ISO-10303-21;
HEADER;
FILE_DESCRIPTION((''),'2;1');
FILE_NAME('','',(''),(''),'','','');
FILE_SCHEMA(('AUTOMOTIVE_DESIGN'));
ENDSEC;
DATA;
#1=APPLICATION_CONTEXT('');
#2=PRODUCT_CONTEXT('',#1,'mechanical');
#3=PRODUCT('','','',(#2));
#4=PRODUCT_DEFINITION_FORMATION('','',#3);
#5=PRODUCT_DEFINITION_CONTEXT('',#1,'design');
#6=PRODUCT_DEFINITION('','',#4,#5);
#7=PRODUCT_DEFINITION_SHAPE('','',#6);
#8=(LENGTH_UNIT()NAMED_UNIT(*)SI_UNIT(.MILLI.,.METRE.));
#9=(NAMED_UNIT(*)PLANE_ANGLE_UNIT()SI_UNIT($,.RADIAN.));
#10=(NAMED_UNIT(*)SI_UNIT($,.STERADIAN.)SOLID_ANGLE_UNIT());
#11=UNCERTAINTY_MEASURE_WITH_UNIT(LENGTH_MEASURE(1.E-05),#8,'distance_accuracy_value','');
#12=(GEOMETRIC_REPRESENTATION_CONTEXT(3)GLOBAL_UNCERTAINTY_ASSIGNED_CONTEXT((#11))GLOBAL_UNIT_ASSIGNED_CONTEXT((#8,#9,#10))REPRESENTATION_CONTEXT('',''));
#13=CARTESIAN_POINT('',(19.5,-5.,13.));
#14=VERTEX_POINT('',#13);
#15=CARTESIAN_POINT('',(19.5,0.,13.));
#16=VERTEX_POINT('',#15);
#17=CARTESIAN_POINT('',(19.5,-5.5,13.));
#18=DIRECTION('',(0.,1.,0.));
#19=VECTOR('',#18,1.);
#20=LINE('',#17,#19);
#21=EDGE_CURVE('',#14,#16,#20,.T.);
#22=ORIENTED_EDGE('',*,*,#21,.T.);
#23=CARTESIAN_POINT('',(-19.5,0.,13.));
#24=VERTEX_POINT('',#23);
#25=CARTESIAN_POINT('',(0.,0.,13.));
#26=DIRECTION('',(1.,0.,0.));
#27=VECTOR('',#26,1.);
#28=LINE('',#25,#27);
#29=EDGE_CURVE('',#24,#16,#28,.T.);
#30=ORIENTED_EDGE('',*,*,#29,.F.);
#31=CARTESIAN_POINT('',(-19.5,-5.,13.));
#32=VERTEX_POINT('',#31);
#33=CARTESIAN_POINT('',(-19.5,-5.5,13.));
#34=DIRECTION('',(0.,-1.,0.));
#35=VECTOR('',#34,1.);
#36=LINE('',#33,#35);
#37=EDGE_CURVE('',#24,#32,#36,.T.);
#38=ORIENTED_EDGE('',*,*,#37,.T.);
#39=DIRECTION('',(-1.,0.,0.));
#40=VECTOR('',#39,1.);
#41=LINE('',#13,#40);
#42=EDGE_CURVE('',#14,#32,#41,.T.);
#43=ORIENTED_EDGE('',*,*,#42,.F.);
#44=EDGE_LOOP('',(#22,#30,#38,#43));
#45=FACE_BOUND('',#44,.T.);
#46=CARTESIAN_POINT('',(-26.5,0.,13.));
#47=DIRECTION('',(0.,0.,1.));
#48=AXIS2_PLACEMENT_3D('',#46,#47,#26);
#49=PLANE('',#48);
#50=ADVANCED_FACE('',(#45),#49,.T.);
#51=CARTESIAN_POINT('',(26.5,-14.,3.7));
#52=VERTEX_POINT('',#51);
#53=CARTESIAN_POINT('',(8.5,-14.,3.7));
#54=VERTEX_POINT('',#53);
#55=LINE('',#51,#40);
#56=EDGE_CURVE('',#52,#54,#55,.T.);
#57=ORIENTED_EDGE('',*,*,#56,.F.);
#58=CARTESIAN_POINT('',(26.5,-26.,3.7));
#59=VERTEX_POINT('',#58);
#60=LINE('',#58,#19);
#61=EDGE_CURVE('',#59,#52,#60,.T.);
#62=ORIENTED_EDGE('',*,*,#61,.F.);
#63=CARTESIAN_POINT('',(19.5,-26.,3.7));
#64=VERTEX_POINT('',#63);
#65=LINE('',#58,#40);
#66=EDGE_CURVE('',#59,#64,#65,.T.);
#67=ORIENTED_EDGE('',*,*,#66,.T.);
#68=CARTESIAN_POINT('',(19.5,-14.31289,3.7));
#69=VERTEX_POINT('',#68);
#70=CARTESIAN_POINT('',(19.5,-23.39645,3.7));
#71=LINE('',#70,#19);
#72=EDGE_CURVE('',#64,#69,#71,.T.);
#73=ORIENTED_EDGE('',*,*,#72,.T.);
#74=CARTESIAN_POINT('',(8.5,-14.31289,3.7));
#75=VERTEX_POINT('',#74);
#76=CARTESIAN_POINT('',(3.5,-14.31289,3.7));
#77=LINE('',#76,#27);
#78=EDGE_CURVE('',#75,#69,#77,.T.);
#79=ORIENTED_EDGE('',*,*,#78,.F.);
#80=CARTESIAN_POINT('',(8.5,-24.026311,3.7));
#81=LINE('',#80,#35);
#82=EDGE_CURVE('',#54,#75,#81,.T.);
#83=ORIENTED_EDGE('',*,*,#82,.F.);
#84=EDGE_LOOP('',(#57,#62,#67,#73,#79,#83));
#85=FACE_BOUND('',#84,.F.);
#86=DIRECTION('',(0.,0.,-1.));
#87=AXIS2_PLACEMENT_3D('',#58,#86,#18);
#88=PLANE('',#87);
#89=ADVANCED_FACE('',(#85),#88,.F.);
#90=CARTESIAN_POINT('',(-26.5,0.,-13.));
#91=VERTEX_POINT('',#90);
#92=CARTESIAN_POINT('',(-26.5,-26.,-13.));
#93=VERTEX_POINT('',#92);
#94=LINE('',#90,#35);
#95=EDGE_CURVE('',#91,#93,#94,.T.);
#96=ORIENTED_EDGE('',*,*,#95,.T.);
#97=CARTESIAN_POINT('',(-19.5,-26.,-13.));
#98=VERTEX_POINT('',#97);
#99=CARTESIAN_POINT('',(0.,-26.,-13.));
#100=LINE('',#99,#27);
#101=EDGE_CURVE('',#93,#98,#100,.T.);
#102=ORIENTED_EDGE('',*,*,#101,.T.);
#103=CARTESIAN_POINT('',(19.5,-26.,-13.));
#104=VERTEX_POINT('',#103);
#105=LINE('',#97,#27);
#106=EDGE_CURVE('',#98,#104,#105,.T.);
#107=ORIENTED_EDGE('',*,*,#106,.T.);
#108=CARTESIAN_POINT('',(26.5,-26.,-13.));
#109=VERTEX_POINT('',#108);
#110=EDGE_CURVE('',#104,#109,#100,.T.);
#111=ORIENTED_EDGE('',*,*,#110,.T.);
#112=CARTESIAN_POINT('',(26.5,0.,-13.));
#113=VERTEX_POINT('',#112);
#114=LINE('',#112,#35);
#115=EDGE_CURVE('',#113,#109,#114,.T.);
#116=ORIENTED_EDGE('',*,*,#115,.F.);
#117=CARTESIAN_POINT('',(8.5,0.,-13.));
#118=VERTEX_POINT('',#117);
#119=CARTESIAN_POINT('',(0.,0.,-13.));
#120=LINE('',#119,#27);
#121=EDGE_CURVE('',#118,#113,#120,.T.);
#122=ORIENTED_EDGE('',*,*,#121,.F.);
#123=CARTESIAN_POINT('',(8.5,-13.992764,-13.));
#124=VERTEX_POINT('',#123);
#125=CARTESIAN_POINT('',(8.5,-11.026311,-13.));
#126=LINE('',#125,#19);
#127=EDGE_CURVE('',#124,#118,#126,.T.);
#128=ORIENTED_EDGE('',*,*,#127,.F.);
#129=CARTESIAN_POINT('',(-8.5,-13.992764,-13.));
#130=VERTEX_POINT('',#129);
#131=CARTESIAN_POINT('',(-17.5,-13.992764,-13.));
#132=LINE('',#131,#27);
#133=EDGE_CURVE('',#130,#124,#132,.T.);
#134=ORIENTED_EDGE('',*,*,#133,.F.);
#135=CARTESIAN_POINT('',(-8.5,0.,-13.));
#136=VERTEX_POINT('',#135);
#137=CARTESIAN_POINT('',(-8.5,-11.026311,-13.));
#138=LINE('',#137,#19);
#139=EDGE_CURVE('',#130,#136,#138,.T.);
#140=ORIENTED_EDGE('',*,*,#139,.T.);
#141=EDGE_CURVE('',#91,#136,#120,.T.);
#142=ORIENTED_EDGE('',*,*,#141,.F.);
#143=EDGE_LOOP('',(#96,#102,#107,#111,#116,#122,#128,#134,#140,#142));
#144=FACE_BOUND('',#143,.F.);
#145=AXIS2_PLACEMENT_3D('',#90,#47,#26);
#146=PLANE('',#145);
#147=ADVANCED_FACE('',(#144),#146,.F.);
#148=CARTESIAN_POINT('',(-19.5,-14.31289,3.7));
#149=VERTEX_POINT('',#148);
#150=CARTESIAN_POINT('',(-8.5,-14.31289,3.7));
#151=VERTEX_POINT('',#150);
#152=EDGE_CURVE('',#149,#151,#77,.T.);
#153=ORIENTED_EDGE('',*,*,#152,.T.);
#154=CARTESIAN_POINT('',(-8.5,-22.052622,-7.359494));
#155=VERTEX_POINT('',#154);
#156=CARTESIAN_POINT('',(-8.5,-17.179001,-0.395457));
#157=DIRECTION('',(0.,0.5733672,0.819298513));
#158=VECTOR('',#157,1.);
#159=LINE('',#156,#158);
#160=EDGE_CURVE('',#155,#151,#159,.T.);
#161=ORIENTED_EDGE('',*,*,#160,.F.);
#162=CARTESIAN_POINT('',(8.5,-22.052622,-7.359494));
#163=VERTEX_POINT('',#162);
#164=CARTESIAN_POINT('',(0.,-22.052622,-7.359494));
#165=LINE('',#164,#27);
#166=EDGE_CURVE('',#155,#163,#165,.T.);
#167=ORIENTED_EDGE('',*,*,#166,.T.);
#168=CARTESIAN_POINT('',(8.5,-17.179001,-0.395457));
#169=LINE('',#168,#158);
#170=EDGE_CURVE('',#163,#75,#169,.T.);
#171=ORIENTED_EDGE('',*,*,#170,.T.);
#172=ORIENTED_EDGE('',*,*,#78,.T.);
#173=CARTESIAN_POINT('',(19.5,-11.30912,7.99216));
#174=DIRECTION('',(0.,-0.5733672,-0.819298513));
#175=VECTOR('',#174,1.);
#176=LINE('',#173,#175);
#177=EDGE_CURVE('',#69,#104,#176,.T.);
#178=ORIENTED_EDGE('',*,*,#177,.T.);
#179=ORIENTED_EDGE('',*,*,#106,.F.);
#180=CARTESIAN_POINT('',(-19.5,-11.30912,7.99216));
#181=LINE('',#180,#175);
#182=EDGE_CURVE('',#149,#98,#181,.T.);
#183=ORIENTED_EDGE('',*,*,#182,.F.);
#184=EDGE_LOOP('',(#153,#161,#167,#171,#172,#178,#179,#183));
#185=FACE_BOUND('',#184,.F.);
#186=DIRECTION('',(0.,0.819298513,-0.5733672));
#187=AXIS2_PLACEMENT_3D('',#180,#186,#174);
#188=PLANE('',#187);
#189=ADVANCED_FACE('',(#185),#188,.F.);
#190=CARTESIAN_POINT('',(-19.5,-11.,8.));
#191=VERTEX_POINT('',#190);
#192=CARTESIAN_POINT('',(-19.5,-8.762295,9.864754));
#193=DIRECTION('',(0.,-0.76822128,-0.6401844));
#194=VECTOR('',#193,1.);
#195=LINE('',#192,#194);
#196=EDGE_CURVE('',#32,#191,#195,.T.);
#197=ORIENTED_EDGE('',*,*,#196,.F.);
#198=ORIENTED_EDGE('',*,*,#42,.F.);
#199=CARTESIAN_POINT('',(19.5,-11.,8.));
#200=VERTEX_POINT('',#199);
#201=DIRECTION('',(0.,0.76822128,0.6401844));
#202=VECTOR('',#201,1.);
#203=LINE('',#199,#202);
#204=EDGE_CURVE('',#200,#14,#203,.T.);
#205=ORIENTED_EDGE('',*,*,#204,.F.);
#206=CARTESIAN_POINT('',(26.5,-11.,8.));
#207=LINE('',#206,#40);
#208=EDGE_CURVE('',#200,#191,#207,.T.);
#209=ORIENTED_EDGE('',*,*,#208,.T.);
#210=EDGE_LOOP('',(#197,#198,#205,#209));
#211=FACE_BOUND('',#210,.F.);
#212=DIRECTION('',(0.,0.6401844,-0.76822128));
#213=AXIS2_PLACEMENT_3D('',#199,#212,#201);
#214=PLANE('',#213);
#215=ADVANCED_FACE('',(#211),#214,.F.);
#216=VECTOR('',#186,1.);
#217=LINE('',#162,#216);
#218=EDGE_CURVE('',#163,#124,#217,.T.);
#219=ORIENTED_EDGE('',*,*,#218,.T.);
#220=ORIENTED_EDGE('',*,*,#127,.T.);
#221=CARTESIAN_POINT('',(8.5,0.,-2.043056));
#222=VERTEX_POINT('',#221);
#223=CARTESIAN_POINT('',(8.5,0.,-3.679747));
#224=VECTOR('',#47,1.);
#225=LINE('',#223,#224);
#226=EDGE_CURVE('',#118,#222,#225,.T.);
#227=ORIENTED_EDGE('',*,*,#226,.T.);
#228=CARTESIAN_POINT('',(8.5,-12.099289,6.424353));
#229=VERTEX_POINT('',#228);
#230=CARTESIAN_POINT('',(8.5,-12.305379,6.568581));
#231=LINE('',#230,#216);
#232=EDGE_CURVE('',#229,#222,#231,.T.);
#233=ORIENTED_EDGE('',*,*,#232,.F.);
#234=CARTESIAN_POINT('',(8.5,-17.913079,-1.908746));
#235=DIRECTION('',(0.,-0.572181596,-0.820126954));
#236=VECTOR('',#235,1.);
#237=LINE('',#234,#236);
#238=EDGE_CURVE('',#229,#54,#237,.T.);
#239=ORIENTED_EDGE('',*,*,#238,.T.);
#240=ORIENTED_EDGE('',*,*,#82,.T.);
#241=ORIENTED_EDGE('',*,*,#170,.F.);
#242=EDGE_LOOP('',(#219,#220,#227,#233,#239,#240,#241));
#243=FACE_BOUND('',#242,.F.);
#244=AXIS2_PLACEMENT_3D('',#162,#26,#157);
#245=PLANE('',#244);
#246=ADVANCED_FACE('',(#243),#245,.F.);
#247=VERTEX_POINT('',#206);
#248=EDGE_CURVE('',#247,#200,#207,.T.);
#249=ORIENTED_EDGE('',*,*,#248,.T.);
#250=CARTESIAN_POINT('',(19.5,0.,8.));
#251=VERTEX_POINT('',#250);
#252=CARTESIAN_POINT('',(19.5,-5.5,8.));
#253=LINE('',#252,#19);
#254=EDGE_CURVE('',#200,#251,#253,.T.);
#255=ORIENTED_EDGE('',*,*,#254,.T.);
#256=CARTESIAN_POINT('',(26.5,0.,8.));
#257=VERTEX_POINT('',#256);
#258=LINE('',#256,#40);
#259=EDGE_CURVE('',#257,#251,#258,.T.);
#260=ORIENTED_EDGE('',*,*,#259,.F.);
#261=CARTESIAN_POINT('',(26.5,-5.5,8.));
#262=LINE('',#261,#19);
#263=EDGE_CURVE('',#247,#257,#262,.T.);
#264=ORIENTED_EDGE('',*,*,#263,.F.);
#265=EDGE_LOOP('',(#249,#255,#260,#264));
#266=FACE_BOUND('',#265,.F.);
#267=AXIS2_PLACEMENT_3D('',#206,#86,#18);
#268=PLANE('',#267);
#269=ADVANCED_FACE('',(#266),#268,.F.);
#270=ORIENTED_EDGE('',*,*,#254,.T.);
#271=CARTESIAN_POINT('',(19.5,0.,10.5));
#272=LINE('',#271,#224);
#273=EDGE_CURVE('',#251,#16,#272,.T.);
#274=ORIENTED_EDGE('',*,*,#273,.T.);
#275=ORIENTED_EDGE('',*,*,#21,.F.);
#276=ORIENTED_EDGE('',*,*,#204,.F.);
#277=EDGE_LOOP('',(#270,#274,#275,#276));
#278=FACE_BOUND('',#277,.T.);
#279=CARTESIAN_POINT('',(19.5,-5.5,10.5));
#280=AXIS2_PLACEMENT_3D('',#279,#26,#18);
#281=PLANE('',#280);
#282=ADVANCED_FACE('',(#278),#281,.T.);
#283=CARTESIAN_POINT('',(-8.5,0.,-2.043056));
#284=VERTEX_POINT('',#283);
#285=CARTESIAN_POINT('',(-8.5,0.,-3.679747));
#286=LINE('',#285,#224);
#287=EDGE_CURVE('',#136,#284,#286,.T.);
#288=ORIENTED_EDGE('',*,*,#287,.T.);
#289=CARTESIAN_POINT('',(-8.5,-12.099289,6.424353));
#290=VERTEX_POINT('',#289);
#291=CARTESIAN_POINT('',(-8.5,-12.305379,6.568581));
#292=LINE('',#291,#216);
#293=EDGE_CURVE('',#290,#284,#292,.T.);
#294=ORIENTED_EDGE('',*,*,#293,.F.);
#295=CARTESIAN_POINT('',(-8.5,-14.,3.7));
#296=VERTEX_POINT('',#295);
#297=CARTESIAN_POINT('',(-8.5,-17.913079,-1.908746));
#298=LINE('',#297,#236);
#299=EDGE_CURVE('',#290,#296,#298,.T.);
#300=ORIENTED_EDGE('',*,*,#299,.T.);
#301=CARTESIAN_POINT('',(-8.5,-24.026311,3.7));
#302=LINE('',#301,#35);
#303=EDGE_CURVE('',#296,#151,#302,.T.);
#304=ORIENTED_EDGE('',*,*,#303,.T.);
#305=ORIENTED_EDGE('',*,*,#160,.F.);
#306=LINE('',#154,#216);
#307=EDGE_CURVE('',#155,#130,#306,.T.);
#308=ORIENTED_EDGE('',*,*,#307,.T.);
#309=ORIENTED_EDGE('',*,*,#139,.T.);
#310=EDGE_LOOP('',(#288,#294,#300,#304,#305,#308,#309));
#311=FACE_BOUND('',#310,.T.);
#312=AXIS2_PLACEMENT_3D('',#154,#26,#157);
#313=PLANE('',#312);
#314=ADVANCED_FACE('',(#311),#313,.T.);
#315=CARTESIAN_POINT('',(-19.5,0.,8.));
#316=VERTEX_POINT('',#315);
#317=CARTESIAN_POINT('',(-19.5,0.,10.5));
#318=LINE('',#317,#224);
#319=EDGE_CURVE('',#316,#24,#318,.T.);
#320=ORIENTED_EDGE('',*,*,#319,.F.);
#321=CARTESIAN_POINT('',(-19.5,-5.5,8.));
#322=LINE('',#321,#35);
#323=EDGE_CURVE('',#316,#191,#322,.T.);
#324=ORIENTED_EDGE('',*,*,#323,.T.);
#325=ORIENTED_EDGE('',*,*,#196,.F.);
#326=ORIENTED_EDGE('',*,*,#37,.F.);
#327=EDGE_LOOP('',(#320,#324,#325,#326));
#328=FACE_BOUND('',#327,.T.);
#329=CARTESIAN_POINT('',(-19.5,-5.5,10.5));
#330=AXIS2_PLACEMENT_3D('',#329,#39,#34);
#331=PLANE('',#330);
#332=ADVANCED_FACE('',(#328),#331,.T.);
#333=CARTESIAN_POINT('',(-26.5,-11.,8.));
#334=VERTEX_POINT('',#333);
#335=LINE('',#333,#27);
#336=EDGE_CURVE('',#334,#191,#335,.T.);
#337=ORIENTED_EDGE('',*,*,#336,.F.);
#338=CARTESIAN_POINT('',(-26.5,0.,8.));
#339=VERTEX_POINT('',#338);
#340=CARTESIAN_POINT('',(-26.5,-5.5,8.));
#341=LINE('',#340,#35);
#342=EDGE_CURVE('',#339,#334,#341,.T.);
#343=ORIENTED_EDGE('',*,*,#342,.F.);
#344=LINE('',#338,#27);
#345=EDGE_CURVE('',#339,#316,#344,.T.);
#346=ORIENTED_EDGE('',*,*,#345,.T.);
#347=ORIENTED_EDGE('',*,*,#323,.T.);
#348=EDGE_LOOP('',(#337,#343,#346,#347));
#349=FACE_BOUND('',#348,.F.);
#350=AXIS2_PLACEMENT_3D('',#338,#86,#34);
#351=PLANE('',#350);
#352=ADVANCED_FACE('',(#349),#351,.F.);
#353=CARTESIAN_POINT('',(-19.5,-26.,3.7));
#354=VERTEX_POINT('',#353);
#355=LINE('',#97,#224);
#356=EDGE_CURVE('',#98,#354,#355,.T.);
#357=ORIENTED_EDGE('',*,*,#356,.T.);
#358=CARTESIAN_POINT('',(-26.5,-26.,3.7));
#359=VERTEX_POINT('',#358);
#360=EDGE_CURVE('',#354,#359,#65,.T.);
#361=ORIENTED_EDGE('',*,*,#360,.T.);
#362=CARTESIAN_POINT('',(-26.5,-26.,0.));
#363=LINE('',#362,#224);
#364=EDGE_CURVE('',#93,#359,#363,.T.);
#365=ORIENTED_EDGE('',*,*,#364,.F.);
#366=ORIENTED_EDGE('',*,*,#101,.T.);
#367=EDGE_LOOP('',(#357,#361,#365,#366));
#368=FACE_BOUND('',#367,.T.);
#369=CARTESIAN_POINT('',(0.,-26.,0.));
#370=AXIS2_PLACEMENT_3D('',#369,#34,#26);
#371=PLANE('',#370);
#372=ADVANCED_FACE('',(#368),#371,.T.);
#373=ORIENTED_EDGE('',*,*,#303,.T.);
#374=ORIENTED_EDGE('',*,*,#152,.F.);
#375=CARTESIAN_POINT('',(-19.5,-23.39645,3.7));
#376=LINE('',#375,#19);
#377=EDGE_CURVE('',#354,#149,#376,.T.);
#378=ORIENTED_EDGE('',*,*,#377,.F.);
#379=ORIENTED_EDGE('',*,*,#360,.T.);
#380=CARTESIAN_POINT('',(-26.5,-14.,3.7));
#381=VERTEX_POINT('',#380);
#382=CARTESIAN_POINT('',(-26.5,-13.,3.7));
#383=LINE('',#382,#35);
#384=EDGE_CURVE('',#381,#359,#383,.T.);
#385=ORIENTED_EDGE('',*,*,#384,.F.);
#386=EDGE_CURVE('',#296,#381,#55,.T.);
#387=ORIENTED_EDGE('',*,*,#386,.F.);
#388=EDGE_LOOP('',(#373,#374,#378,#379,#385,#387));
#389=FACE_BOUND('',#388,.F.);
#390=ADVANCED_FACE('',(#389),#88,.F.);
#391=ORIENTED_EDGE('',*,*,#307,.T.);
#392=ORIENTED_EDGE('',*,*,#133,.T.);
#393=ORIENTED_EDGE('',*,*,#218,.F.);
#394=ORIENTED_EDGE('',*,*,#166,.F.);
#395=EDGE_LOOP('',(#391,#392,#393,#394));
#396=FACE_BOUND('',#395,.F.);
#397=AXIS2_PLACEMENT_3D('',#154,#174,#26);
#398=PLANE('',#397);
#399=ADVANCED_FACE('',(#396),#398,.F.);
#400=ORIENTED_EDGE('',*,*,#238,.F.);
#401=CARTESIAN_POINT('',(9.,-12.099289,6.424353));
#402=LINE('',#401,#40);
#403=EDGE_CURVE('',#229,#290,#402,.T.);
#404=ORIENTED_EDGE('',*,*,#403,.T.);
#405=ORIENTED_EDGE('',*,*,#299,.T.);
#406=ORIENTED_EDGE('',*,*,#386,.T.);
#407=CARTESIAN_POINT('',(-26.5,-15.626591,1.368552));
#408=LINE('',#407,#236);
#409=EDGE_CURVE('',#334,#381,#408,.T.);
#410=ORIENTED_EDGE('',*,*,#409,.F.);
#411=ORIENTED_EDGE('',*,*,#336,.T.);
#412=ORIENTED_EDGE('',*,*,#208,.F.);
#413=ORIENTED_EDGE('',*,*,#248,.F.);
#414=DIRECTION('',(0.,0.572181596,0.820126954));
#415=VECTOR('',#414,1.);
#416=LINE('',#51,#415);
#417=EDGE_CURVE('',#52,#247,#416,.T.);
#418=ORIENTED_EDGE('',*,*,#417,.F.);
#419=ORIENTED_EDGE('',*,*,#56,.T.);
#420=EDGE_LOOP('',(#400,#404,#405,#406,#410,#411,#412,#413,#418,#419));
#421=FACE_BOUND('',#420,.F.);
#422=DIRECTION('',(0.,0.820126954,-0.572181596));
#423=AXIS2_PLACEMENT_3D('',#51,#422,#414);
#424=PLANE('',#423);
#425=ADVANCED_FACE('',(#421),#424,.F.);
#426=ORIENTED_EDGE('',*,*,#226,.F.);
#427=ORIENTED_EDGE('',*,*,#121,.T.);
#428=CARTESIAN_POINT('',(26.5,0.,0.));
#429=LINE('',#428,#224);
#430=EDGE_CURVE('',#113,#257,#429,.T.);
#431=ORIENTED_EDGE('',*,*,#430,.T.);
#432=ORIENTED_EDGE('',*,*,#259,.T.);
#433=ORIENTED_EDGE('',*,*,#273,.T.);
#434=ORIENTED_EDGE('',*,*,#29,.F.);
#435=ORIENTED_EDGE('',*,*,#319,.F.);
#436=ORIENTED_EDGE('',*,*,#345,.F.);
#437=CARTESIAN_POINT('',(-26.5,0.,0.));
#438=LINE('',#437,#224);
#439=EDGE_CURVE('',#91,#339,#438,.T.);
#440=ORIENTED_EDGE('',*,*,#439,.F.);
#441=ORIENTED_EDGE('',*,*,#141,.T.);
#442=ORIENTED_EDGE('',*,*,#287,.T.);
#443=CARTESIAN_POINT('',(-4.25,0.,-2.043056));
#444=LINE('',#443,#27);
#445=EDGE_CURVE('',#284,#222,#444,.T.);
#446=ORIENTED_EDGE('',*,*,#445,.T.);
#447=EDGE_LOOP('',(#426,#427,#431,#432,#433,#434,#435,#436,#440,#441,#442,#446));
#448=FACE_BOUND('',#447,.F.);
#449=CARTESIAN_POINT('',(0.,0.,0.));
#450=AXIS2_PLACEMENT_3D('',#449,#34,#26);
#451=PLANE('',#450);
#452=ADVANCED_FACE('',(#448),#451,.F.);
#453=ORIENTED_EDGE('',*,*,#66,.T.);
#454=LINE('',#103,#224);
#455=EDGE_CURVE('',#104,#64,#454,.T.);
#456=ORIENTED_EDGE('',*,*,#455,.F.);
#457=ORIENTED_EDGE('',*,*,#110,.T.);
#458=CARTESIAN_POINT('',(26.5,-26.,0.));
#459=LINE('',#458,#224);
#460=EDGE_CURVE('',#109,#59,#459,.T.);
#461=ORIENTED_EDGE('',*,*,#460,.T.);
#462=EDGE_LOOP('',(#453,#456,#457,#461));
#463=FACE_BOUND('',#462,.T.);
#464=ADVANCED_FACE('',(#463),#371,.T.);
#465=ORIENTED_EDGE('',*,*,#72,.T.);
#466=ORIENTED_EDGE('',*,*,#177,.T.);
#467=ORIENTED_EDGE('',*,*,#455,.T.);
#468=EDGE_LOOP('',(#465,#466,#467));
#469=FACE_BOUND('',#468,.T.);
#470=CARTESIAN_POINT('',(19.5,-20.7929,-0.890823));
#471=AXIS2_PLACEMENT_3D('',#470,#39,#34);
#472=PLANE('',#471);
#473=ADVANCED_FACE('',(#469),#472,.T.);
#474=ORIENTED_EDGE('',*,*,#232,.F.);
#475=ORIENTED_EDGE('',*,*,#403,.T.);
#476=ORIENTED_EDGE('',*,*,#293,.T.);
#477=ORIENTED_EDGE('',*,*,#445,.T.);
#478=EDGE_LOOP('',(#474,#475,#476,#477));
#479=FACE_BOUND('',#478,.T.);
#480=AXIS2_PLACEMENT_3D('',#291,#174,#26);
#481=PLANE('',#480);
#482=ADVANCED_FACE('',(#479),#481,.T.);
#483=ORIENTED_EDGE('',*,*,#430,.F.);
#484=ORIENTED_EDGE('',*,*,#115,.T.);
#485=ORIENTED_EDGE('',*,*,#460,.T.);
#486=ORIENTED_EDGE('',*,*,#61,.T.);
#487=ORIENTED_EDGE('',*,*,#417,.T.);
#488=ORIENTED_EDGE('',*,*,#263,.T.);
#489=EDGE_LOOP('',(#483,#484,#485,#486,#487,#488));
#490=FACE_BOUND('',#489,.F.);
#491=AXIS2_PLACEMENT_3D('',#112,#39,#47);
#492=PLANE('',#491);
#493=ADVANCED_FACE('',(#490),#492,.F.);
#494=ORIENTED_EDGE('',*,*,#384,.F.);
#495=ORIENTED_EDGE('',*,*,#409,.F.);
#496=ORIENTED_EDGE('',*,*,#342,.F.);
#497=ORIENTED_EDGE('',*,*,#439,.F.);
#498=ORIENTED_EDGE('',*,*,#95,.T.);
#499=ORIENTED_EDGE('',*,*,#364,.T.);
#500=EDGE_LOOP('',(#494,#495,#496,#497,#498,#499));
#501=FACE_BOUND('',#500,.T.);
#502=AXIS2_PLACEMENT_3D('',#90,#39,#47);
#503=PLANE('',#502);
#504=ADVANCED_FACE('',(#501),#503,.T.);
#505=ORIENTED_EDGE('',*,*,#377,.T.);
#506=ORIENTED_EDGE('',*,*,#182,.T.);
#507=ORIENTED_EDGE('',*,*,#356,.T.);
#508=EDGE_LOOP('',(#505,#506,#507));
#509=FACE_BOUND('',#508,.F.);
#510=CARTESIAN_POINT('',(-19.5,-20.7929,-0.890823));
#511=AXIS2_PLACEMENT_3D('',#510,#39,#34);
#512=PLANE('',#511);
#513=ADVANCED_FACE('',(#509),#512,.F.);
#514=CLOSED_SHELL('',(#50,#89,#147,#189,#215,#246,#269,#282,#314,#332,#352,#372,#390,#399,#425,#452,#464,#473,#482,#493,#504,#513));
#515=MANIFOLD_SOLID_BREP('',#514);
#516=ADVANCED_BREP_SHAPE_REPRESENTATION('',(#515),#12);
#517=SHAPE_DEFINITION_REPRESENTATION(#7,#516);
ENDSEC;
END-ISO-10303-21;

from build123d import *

# Parameters (mm, degrees)
F0_W      = 53
F0_H      = 26
F1_DEPTH  = 26
F2_W      = 11
F2_H      = 5
F3_DEPTH  = 7
F4_W      = 11
F4_H      = 5
F5_DEPTH  = 7
F7_DEPTH  = 53.001
F9_DEPTH  = 46.001
F12_DEPTH = 39
F14_W     = 17
F14_H     = 17
F15_DEPTH = 21.3027613393
F16_DEPTH = 39


with BuildPart() as f1:
    # F0 (on Front) → F1 (new body)
    with BuildSketch(Plane.XZ):
        Rectangle(F0_W, F0_H)
    extrude(amount=F1_DEPTH)

    # F2 (on face) → F3 (cut)
    with BuildSketch(Plane.YZ.offset(26.5)):
        with Locations((-5.5, 10.5)):
            Rectangle(F2_W, F2_H)
    extrude(amount=-F3_DEPTH, mode=Mode.SUBTRACT)

    # F4 (on face) → F5 (cut)
    with BuildSketch(Plane(origin=(-26.5, 0, 0), x_dir=(0, -1, 0), z_dir=(-1, 0, 0))):
        with Locations((5.5, 10.5)):
            Rectangle(F4_W, F4_H)
    extrude(amount=-F5_DEPTH, mode=Mode.SUBTRACT)

    # F6 (on face) → F7 (cut, through all)
    with BuildSketch(Plane.YZ.offset(26.5)):
        Polygon((-20.9308508784, 13), (-26, 13), (-26, 3.7), (-14, 3.7), (-11, 8), (-11, 13), align=None)
    extrude(amount=-F7_DEPTH, mode=Mode.SUBTRACT)

    # F8 (on face) → F9 (cut, through all)
    with BuildSketch(Plane.YZ.offset(19.5)):
        Polygon((-11, 13), (-11, 8), (-5, 13), align=None)
    extrude(amount=-F9_DEPTH, mode=Mode.SUBTRACT)

    # F11 (on offset) → F12 (cut)
    with BuildSketch(Plane(origin=(-19.5, 0, 0), x_dir=(0, -1, 0), z_dir=(-1, 0, 0))):
        Polygon((26, -13), (26, 3.7961313778), (11.3091202676, 7.9921598434), align=None)
    extrude(amount=-F12_DEPTH, mode=Mode.SUBTRACT)

    # F14 (on offset) → F15 (cut, through all)
    with BuildSketch(Plane(origin=(0, -11.3456357591, 7.9399819584), x_dir=(1, 0, 0), z_dir=(0, -0.8192985131, 0.5733672004))):
        with Locations((0, -10.1738724944)):
            Rectangle(F14_W, F14_H)
    extrude(amount=-F15_DEPTH, mode=Mode.SUBTRACT)

    # F11 (on offset) → F16 (cut)
    with BuildSketch(Plane(origin=(-19.5, 0, 0), x_dir=(0, -1, 0), z_dir=(-1, 0, 0))):
        Polygon((26, -13), (26, 3.7961313778), (11.3091202676, 7.9921598434), align=None)
    extrude(amount=-F16_DEPTH, mode=Mode.SUBTRACT)


solid = f1.part
